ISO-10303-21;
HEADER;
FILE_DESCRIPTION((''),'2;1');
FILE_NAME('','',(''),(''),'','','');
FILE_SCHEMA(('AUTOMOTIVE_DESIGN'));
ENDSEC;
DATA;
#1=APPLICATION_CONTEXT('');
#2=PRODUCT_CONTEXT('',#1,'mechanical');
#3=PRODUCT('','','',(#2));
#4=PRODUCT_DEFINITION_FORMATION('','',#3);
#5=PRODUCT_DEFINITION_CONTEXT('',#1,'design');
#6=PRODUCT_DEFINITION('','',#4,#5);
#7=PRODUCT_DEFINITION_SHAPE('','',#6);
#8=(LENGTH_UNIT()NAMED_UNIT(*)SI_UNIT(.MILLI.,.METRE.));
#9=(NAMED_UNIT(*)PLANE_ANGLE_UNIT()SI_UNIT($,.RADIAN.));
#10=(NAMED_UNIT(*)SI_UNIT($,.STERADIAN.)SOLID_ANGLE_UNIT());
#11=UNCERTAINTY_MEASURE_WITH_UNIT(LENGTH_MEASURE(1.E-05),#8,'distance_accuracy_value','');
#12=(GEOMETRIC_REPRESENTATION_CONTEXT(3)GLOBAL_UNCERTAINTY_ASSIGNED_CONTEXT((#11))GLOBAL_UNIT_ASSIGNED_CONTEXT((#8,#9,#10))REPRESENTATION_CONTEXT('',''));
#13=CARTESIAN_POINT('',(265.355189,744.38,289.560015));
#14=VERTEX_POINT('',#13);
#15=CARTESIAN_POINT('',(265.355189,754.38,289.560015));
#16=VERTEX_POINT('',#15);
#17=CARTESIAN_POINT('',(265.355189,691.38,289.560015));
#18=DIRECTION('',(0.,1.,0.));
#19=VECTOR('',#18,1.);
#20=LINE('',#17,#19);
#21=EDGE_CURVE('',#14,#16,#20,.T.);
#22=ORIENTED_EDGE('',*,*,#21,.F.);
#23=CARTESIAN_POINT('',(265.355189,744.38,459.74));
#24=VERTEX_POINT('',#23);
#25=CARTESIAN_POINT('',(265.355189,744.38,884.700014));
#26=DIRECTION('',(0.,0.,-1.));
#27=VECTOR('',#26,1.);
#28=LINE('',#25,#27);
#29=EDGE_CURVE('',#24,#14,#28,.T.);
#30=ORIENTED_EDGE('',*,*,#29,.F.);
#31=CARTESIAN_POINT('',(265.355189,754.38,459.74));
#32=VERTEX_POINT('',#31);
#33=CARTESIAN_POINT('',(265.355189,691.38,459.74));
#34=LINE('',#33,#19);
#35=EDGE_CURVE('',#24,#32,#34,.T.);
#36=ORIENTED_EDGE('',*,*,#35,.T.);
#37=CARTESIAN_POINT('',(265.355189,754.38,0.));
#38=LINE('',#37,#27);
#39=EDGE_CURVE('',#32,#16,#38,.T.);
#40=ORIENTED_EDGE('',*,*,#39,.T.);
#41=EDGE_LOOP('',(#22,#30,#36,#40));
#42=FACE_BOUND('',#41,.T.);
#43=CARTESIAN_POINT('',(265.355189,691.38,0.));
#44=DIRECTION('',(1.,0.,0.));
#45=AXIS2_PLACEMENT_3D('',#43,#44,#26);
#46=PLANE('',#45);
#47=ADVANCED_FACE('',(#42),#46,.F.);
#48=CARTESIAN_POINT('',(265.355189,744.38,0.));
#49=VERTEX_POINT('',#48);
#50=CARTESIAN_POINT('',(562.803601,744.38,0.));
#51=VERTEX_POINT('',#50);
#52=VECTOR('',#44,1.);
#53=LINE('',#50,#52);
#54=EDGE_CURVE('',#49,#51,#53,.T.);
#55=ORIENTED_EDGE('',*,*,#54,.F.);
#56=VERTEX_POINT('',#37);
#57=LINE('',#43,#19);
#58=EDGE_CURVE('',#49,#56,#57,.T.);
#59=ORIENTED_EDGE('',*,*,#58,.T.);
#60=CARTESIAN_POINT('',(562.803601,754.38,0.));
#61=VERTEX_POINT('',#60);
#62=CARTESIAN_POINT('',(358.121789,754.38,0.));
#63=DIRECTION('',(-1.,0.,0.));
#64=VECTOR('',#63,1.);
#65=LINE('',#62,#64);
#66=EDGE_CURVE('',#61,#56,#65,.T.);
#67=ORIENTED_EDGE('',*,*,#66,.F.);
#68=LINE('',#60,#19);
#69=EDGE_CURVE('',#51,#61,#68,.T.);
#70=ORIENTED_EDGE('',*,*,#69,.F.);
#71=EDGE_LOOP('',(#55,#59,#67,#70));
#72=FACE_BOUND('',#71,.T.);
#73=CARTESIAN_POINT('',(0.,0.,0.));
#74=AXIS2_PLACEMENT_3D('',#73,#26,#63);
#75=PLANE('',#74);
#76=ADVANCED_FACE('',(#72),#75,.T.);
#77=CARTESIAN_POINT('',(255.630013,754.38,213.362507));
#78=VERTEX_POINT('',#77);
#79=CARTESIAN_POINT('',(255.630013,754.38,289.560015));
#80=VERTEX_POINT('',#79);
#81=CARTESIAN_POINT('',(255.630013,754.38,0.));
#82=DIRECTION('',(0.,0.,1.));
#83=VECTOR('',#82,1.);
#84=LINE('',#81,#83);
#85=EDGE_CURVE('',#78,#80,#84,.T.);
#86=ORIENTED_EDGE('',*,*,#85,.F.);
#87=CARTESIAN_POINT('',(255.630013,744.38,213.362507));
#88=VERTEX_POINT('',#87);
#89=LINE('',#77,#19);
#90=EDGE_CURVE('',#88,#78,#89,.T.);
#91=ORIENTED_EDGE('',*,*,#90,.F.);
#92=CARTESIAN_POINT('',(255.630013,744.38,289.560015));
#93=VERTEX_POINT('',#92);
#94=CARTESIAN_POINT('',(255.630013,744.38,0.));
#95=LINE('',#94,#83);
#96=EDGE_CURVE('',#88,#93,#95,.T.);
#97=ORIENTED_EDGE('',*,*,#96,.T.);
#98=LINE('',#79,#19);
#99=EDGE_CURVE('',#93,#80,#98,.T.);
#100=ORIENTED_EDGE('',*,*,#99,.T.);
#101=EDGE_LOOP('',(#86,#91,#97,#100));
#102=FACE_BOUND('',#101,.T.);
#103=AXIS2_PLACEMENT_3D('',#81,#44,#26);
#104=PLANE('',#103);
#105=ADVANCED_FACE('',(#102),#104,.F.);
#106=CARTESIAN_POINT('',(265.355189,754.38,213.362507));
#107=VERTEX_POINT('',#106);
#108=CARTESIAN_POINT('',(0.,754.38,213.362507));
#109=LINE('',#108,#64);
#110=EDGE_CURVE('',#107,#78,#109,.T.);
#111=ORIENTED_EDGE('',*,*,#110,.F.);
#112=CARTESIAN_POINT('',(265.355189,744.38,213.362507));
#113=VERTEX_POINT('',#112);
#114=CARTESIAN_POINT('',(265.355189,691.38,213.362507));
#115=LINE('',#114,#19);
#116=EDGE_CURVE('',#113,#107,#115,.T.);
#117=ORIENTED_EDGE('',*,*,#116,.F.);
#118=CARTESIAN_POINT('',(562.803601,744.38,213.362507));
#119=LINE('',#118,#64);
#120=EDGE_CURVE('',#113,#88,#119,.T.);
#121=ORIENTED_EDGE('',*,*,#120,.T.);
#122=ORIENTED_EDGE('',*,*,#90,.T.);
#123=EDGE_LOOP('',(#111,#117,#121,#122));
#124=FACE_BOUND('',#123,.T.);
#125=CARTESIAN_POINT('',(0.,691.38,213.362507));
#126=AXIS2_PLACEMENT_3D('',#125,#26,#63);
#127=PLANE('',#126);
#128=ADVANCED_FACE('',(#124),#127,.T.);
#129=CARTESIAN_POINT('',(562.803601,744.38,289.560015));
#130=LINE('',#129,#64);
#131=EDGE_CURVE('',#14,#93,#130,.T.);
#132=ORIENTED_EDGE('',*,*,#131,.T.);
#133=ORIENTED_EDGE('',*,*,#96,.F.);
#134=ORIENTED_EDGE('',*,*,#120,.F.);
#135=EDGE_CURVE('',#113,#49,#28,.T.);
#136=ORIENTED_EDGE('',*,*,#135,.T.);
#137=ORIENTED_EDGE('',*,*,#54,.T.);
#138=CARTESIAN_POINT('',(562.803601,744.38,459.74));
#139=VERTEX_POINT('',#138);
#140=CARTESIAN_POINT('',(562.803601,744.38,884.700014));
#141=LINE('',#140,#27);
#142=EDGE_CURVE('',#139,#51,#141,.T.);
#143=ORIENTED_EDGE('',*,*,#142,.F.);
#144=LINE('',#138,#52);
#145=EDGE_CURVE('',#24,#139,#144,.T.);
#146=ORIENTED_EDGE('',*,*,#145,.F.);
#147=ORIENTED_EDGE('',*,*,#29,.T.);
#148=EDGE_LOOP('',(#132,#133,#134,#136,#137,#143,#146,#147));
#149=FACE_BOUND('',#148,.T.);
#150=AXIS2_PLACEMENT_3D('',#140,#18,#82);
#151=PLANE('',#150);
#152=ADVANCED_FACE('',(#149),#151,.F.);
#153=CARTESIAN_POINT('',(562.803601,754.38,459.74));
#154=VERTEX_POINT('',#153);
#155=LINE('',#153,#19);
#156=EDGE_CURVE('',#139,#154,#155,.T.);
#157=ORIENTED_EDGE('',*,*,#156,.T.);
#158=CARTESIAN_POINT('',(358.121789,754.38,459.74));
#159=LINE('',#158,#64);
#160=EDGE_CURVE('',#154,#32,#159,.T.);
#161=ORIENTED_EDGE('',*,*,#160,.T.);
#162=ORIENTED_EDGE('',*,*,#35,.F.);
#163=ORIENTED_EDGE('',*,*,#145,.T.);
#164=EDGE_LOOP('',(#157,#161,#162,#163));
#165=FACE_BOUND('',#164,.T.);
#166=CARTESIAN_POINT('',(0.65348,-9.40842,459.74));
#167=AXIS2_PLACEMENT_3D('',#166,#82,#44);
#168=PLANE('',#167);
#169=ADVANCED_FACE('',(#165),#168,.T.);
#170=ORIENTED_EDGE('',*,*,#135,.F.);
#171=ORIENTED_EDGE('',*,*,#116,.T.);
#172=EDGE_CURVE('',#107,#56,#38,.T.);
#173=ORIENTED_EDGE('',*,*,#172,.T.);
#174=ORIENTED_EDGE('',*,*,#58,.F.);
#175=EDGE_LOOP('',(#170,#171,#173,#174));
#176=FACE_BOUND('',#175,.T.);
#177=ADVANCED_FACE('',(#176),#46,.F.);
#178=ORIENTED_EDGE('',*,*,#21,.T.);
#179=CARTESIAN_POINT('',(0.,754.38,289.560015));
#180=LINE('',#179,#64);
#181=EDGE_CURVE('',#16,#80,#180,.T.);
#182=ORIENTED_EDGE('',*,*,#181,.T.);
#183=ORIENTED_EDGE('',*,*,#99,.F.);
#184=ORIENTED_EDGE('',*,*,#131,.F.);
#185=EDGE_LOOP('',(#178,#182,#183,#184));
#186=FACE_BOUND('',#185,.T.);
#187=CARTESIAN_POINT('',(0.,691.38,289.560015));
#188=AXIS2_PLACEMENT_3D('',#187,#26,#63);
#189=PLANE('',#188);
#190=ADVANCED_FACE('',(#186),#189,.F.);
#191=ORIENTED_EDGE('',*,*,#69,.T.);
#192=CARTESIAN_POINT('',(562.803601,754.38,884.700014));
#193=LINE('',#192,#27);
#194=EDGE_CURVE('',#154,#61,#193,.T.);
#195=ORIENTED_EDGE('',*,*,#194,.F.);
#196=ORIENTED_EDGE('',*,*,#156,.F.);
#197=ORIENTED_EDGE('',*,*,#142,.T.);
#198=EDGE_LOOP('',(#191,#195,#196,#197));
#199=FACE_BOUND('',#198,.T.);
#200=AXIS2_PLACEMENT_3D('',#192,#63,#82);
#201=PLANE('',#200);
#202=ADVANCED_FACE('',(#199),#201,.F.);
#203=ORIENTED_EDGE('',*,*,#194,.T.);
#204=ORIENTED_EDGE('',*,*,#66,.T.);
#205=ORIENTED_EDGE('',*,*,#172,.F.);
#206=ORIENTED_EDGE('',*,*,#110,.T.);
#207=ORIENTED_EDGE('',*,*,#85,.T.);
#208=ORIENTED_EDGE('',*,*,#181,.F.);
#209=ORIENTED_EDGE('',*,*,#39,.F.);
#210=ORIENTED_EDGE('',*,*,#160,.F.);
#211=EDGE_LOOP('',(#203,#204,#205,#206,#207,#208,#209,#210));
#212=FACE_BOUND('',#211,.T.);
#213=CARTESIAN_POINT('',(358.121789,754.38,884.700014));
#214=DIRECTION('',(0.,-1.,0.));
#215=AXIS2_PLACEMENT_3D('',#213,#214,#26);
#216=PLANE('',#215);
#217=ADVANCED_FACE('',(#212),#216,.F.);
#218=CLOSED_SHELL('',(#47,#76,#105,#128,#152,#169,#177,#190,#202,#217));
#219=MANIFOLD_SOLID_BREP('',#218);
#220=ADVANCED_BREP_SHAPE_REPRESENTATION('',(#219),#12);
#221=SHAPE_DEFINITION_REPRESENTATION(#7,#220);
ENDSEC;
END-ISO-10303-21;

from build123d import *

# Parameters (mm, degrees)
BOSS_EXTRUDE1_DEPTH = 459.74
SKETCH3_W           = 117.668752198
SKETCH3_H           = 459.74
CUT_EXTRUDE1_DEPTH  = 10
SKETCH4_W           = 9.725175386
SKETCH4_H           = 170.179985068
SKETCH4_H_2         = 213.362507046
CUT_EXTRUDE3_DEPTH  = 63


with BuildPart() as part:
    # Sketch1 → Boss-Extrude1 (new body)
    with BuildSketch(Plane.XY):
        Polygon((358.121789204, 754.380000017), (137.961261276, 754.380000017), (137.961261276, 744.380000017), (562.803601281, 744.380000017), (562.803601281, 754.380000017), align=None)
    extrude(amount=BOSS_EXTRUDE1_DEPTH)

    # Sketch3 → Cut-Extrude1 (cut)
    with BuildSketch(Plane.XZ.offset(-744.380000017)):
        with Locations((196.795637375, 229.87)):
            Rectangle(SKETCH3_W, SKETCH3_H)
    extrude(amount=-CUT_EXTRUDE1_DEPTH, mode=Mode.SUBTRACT)

    # Sketch4 → Cut-Extrude3 (cut)
    with BuildSketch(Plane(origin=(0, 754.380000017, 0), x_dir=(1, 0, 0), z_dir=(0, 1, 0))):
        with Locations((260.492601167, -374.650007466)):
            Rectangle(SKETCH4_W, SKETCH4_H)
        with Locations((260.492601167, -106.681253523)):
            Rectangle(SKETCH4_W, SKETCH4_H_2)
    extrude(amount=-CUT_EXTRUDE3_DEPTH, mode=Mode.SUBTRACT)


solid = part.part
